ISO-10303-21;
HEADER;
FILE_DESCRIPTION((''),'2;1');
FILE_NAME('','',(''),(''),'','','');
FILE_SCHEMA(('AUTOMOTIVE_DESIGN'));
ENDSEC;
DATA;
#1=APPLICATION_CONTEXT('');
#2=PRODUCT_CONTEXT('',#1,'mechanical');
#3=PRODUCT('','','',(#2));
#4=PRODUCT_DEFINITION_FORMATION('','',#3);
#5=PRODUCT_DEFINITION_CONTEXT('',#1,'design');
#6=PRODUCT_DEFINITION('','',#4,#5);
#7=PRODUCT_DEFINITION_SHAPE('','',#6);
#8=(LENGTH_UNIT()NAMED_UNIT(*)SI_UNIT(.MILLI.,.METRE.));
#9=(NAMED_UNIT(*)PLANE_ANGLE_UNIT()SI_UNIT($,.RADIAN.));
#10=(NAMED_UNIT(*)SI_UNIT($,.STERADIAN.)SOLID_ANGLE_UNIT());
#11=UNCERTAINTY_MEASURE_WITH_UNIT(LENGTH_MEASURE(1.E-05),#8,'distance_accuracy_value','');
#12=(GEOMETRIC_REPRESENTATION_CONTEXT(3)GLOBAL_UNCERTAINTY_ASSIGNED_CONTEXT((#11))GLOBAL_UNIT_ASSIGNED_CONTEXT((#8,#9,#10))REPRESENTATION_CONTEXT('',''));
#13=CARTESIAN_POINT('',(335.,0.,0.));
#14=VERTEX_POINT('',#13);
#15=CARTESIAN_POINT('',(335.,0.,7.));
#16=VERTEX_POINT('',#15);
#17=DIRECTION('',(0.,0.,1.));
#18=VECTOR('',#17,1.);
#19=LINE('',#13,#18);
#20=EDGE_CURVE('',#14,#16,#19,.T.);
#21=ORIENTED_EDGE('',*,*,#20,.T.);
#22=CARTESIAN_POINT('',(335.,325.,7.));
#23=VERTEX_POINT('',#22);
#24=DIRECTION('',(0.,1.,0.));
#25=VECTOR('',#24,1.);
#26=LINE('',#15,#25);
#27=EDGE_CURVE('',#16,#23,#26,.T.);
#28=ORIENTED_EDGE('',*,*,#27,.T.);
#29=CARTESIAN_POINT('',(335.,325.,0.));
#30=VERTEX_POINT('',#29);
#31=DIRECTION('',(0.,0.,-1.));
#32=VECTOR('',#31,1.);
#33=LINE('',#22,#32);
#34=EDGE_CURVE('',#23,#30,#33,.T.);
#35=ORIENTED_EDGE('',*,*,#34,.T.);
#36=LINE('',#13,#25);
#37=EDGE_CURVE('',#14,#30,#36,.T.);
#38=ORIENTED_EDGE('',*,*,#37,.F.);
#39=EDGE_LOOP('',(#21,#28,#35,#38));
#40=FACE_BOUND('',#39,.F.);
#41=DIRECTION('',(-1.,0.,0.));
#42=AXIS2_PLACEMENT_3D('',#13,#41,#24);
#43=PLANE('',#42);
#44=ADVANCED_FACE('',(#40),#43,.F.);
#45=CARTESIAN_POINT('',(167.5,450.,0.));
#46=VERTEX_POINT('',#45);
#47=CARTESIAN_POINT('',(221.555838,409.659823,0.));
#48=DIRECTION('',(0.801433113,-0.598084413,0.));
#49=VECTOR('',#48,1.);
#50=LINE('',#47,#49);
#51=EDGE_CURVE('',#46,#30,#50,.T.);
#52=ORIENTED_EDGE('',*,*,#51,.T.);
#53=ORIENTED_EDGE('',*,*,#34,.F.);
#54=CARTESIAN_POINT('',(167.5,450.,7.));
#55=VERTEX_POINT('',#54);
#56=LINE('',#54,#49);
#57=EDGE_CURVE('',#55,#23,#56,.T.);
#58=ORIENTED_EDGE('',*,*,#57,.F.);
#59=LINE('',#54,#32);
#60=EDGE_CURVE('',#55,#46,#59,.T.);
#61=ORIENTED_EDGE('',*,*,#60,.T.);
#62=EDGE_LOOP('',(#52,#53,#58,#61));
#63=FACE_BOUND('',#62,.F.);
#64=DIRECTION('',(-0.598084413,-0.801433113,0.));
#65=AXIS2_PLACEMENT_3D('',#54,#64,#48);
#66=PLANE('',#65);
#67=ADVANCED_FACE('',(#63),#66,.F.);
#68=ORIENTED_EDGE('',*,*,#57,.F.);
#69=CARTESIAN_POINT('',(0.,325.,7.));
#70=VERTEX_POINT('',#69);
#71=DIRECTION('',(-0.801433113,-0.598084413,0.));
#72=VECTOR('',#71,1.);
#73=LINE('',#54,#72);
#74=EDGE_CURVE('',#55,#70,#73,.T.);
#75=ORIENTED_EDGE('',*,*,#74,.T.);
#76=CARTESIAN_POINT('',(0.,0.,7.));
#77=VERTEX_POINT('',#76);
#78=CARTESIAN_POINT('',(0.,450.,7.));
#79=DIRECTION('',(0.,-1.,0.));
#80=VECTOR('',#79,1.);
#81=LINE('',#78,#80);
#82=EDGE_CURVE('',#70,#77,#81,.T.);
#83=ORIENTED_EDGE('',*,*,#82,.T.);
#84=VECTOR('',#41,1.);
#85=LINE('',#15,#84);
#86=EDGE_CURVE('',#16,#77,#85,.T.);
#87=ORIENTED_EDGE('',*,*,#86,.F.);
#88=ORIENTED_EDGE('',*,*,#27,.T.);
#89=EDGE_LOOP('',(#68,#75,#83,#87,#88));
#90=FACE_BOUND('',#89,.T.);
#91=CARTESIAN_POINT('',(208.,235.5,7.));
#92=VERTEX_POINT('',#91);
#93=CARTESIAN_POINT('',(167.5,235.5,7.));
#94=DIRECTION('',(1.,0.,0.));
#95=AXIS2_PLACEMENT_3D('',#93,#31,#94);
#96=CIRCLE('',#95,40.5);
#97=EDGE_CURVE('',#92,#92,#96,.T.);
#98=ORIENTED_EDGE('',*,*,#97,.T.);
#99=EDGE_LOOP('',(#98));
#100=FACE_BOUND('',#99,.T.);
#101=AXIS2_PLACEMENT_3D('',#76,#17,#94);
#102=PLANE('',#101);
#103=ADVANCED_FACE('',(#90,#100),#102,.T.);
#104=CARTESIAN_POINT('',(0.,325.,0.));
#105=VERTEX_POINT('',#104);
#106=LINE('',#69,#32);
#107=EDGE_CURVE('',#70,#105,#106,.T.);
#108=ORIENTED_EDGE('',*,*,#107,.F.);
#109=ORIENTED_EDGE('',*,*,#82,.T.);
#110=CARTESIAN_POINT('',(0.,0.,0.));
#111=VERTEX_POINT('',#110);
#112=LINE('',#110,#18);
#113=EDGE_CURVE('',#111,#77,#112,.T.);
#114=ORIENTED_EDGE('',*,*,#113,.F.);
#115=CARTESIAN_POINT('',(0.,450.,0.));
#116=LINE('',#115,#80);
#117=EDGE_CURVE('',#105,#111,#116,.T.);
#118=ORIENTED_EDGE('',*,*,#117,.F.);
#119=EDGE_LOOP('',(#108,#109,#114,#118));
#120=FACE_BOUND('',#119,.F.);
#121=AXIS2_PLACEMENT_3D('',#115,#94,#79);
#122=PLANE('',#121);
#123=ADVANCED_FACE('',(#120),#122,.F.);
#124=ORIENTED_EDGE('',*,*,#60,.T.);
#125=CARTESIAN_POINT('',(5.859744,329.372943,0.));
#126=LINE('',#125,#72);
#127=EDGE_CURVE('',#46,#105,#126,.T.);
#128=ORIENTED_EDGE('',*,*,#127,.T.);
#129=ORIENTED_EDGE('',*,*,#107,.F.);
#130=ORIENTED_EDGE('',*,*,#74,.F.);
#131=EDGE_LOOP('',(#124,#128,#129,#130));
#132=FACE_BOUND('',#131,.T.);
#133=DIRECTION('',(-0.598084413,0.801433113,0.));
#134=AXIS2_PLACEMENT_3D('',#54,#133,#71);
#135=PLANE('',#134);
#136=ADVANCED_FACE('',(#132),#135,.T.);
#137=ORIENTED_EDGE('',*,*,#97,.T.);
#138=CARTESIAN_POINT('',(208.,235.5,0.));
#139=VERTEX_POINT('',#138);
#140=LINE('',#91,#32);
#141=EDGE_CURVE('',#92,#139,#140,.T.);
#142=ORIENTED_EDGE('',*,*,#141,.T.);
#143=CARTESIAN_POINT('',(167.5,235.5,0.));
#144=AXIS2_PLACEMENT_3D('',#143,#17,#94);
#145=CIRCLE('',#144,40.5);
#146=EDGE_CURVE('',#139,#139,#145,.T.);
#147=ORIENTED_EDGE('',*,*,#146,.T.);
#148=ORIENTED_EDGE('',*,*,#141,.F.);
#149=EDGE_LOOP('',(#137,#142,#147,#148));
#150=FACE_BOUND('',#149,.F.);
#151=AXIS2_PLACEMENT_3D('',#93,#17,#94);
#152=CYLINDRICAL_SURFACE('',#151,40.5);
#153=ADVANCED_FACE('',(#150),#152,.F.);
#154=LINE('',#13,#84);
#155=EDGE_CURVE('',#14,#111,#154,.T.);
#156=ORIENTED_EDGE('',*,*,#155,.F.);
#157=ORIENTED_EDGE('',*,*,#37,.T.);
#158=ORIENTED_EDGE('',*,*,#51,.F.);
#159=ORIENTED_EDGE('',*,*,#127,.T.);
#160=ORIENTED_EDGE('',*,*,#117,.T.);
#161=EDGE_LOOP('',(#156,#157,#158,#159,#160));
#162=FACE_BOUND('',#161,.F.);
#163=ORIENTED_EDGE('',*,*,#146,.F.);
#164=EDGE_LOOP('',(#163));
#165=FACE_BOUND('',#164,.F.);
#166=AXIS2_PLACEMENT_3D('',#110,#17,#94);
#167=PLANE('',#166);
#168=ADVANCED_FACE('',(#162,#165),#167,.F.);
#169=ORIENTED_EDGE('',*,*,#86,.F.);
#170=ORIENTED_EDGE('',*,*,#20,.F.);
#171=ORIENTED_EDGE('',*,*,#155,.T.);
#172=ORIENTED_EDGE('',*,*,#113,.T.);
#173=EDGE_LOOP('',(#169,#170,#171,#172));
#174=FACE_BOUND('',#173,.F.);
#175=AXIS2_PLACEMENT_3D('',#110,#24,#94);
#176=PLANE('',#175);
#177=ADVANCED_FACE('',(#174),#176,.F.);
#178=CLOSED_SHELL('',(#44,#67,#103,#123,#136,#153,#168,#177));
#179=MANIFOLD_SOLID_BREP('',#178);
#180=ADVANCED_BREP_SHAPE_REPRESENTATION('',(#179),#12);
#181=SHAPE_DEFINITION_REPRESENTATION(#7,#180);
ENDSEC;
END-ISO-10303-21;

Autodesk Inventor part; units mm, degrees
ref_plane "YZ Plane" through (0, 0, 0) normal (1, 0, 0) x (0, 1, 0)
ref_plane "XZ Plane" through (0, 0, 0) normal (0, 1, 0) x (-1, 0, 0)
ref_plane "XY Plane" through (0, 0, 0) normal (0, 0, 1) x (1, 0, 0)
sketch "Sketch1" plane through (0, 0, 0) normal (0, 0, 1) x (1, 0, 0)
  point P0 (0, 0)
sketch "Sketch2" plane through (0, 0, 0) normal (0, 0, 1) x (1, 0, 0)
  line L0 (0, 0) -> (335, 0)
  line L1 (335, 0) -> (335, 450)
  line L2 (335, 450) -> (0, 450)
  line L3 (0, 450) -> (0, 0)
  line L4 (0, 0) -> (167.5, 0)
  dimension "d0" = 335
  dimension "d1" = 450
  dimension "d2" = 167.5
extrude "Extrusion1" add sketch "Sketch2" along normal blind 7
sketch "Sketch3" plane through (0, 0, 7) normal (0, 0, 1) x (1, 0, 0)
  line L0 (0, 0) -> (167.5, 0)
  line L1 (0, 0) -> (335, 0) projected
  line L2 (167.5, 0) -> (167.5, 450)
  line L3 (335, 450) -> (0, 450) projected
  line L4 (0, 0) -> (0, 325)
  line L5 (0, 450) -> (0, 0) projected
  line L6 (0, 325) -> (335, 325)
  line L7 (335, 0) -> (335, 450) projected
  line L8 (335, 325) -> (167.5, 450)
  line L9 (167.5, 450) -> (0, 325)
  dimension "d5" = 167.5
  dimension "d6" = 325
extrude "Extrusion2" cut sketch "Sketch3" against normal blind 166.0375 contours L5 L3 L9
sketch "Sketch5" plane through (0, 0, 7) normal (0, 0, 1) x (1, 0, 0)
  line L0 (167.5, 450) -> (335, 450)
  line L1 (335, 450) -> (167.5, 450) projected
  line L2 (335, 450) -> (335, 0)
  line L3 (335, 0) -> (335, 450) projected
  line L4 (335, 0) -> (335, 325)
  line L5 (167.5, 450) -> (335, 325)
  line L6 (335, 450) -> (167.5, 450)
  line L7 (335, 325) -> (335, 450)
  point P0 (0, 0)
  dimension "d10" = 325
extrude "Extrusion3" cut sketch "Sketch5" against normal blind 305.45
sketch "Sketch11" plane through (0, 0, 7) normal (0, 0, 1) x (1, 0, 0)
  line L0 (0, 325) -> (335, 325)
  line L1 (335, 325) -> (167.5, 325)
  line L2 (167.5, 325) -> (167.5, 276)
  line L3 (167.5, 276) -> (167.5, 195)
  line L4 (167.5, 195) -> (167.5, 235.5)
  circle A0 centre (167.5, 235.5) radius 40.5
  point P0 (0, 0)
  dimension "d29" = 49
  dimension "d30" = 81
extrude "Extrusion6" cut sketch "Sketch11" against normal blind 10
properties part number "fundo" material "Polycarbonate, Clear"
